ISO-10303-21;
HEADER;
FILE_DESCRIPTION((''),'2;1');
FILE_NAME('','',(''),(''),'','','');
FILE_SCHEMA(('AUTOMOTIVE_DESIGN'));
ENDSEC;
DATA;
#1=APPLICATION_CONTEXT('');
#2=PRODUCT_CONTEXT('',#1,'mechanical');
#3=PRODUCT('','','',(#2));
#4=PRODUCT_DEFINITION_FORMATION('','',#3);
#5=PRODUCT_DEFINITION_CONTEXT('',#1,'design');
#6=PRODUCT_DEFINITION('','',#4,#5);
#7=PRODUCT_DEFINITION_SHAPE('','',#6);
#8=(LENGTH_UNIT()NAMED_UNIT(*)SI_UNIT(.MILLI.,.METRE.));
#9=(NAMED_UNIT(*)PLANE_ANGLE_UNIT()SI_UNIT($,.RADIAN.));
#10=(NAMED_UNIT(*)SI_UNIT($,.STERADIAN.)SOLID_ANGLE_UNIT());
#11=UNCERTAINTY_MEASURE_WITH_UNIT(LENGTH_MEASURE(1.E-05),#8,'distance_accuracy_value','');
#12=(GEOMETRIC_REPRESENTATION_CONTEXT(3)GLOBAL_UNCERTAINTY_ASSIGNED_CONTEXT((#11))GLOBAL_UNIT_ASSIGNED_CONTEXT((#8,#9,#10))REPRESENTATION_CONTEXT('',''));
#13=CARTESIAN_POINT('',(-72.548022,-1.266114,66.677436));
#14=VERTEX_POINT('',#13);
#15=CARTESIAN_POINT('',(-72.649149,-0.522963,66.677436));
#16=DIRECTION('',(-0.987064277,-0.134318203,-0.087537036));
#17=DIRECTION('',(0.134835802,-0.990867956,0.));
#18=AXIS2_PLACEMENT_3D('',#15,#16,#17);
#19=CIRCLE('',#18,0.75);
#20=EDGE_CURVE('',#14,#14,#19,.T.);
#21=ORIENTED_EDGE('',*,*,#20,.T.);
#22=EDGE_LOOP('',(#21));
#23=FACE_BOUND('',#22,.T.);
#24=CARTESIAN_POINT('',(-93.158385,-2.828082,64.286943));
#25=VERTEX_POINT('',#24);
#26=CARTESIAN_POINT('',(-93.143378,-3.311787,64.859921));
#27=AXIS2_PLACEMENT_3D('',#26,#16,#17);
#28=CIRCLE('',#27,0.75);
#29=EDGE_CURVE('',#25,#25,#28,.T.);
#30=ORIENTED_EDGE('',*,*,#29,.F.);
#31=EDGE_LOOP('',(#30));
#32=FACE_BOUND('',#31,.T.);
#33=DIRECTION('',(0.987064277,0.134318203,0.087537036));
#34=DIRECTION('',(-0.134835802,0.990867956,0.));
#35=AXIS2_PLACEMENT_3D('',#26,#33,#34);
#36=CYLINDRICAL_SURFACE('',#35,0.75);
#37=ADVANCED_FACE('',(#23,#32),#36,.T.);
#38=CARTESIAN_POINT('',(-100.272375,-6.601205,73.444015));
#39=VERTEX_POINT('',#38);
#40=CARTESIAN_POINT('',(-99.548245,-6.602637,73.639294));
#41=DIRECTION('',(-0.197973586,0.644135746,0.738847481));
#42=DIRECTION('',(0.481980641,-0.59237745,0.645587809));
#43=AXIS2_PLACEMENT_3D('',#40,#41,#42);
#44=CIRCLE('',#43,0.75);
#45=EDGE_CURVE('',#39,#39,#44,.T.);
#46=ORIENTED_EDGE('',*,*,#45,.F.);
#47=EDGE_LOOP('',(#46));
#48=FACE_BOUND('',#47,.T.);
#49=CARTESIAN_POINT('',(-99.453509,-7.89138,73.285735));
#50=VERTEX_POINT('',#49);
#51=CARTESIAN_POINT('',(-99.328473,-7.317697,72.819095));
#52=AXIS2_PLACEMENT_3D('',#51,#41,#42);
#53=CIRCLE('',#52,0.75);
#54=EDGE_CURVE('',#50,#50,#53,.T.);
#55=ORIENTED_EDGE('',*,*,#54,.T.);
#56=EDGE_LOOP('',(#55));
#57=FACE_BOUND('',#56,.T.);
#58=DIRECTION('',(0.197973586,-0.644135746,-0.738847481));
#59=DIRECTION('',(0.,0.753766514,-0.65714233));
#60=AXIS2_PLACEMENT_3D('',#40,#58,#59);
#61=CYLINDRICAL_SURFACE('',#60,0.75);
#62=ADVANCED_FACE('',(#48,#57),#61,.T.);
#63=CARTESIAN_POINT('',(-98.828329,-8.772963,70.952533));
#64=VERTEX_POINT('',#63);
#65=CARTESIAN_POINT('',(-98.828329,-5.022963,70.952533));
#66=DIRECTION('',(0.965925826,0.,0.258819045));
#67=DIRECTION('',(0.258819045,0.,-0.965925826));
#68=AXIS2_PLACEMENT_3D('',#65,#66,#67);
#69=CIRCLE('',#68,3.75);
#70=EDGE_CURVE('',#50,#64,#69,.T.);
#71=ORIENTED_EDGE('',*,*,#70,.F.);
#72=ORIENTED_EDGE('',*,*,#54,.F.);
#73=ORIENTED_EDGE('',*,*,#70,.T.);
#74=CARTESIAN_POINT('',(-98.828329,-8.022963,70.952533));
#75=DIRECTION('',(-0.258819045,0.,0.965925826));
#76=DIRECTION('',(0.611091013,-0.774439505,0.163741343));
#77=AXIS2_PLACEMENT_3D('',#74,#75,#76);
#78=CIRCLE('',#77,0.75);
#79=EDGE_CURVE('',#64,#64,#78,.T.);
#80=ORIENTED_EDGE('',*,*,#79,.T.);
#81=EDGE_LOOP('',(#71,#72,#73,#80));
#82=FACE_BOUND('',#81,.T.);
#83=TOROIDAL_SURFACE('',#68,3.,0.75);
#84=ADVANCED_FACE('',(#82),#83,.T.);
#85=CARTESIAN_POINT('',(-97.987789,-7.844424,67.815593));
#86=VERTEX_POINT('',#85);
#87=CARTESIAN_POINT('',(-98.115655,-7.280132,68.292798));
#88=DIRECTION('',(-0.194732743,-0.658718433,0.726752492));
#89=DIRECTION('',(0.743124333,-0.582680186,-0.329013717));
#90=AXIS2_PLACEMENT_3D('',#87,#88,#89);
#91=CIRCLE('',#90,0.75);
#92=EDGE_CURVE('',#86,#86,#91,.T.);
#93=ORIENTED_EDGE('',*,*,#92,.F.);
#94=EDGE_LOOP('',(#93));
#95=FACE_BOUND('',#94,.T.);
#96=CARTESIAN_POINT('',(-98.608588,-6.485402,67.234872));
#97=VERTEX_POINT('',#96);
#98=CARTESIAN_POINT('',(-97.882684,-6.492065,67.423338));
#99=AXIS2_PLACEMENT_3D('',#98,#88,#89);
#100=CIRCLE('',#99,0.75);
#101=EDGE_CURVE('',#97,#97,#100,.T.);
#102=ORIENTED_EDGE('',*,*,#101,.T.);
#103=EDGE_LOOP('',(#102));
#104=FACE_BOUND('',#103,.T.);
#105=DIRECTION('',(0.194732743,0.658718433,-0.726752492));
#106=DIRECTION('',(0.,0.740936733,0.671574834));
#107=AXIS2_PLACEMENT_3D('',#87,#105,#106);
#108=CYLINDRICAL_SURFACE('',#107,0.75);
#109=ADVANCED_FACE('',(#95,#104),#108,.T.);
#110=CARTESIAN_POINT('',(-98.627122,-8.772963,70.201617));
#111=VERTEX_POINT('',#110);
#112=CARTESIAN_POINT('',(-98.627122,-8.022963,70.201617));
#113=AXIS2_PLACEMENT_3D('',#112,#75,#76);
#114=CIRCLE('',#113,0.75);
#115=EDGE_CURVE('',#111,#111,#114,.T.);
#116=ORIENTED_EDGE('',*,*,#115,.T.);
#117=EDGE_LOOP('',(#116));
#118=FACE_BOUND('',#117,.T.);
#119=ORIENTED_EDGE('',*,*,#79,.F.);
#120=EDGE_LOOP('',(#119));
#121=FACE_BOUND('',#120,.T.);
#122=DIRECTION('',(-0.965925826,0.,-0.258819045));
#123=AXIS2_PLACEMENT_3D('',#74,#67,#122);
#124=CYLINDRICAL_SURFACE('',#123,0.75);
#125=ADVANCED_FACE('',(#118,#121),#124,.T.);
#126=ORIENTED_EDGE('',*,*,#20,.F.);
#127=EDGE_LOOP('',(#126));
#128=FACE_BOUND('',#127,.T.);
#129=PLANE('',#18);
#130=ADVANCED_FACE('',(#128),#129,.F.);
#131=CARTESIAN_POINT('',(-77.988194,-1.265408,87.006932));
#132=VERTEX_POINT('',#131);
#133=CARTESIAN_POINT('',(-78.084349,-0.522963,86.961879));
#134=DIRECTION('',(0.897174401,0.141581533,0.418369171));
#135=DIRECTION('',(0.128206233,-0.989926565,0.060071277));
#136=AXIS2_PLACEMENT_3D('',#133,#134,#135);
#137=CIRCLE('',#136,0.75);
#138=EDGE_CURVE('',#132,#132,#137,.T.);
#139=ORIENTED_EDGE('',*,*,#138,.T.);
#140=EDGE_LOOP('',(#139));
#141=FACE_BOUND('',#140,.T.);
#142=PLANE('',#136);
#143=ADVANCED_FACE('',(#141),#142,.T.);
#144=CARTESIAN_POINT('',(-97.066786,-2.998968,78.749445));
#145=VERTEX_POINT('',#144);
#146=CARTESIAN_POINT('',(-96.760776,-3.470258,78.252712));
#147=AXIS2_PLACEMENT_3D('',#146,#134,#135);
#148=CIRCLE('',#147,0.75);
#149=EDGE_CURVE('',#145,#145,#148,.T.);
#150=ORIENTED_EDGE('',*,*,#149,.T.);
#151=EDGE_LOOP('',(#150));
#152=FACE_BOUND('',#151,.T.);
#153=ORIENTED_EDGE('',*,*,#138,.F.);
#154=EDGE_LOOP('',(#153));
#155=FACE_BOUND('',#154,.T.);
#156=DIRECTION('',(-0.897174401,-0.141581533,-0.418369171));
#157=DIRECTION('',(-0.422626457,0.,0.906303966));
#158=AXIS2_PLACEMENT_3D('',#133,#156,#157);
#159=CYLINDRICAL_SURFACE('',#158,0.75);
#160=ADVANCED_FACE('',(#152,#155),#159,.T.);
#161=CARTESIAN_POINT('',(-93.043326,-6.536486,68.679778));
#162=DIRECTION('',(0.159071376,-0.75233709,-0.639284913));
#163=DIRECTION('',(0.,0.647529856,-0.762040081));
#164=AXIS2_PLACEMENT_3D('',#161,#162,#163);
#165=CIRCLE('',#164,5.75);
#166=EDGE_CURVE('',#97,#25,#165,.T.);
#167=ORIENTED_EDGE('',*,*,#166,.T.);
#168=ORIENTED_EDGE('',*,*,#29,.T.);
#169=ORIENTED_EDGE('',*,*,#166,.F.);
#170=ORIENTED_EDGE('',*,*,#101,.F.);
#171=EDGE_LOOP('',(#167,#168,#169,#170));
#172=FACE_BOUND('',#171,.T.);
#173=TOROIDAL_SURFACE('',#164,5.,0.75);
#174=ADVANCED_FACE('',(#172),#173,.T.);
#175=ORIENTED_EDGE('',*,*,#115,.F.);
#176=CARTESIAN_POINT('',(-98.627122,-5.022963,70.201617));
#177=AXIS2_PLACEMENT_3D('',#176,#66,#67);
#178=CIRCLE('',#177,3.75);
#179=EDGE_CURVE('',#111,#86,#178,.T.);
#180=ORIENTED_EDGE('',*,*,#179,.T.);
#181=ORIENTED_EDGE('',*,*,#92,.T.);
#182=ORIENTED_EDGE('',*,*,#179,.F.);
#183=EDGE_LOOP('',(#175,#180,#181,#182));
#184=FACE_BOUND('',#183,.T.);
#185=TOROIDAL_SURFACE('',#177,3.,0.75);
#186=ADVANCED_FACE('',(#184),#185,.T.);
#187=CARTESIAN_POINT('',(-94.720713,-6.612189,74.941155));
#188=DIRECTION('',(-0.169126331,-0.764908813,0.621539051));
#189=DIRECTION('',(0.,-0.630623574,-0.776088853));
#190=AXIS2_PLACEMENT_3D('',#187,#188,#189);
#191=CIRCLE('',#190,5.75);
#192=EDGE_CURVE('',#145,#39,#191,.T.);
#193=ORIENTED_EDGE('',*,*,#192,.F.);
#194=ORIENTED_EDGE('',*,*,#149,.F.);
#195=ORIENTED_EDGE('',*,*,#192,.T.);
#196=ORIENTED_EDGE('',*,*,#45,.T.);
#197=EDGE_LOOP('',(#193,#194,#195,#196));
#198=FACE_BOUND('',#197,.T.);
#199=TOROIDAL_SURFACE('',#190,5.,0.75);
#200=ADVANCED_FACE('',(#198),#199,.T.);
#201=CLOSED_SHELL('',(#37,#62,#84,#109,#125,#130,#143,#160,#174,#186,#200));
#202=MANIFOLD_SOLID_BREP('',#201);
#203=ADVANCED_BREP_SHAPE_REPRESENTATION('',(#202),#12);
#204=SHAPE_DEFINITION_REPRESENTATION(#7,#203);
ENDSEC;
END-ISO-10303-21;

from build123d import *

# Parameters (mm, degrees)
SWEEP1_PROFILE_R = 0.75


with BuildPart() as part:
    # Sweep1: sweep along a curve in space
    with BuildLine() as sweep1_path:
        Line((-96.760776121, -3.47025774, 78.252711823), (-78.084348541, -0.522963163, 86.961878631))
        ThreePointArc((-96.760776121, -3.47025774, 78.252711823), (-99.112397911, -4.596881054, 76.226314182), (-99.548244883, -6.60263734, 73.639294338))
        Line((-99.548244883, -6.60263734, 73.639294338), (-99.328473076, -7.317696757, 72.819094788))
        ThreePointArc((-98.82832928, -8.022963163, 70.95253273), (-99.09453566, -7.841136399, 71.946028463), (-99.328473076, -7.317696757, 72.819094788))
        Line((-98.627122104, -8.022963163, 70.201617327), (-98.82832928, -8.022963163, 70.95253273))
        ThreePointArc((-98.627122104, -8.022963163, 70.201617327), (-98.353918152, -7.831121447, 69.182006297), (-98.115655477, -7.280131794, 68.292797886))
        Line((-98.115655477, -7.280131794, 68.292797886), (-97.882684409, -6.49206537, 67.423338024))
        ThreePointArc((-93.143377561, -3.311786612, 64.859921351), (-96.209258102, -4.441131936, 65.426107931), (-97.882684409, -6.49206537, 67.423338024))
        Line((-93.143377561, -3.311786612, 64.859921351), (-72.649148593, -0.522963163, 66.677436279))
    # Sweep1 profile (on start of the path) → Sweep1 (sweep)
    with BuildSketch(Plane(origin=(-72.649148593, -0.522963163, 66.677436279), x_dir=(0.13483580164041467, -0.9908679561858819, 0), z_dir=(-0.9870642774001727, -0.1343182028271198, -0.08753703598916203))):
        Circle(SWEEP1_PROFILE_R)
    sweep(path=sweep1_path.line)


solid = part.part
